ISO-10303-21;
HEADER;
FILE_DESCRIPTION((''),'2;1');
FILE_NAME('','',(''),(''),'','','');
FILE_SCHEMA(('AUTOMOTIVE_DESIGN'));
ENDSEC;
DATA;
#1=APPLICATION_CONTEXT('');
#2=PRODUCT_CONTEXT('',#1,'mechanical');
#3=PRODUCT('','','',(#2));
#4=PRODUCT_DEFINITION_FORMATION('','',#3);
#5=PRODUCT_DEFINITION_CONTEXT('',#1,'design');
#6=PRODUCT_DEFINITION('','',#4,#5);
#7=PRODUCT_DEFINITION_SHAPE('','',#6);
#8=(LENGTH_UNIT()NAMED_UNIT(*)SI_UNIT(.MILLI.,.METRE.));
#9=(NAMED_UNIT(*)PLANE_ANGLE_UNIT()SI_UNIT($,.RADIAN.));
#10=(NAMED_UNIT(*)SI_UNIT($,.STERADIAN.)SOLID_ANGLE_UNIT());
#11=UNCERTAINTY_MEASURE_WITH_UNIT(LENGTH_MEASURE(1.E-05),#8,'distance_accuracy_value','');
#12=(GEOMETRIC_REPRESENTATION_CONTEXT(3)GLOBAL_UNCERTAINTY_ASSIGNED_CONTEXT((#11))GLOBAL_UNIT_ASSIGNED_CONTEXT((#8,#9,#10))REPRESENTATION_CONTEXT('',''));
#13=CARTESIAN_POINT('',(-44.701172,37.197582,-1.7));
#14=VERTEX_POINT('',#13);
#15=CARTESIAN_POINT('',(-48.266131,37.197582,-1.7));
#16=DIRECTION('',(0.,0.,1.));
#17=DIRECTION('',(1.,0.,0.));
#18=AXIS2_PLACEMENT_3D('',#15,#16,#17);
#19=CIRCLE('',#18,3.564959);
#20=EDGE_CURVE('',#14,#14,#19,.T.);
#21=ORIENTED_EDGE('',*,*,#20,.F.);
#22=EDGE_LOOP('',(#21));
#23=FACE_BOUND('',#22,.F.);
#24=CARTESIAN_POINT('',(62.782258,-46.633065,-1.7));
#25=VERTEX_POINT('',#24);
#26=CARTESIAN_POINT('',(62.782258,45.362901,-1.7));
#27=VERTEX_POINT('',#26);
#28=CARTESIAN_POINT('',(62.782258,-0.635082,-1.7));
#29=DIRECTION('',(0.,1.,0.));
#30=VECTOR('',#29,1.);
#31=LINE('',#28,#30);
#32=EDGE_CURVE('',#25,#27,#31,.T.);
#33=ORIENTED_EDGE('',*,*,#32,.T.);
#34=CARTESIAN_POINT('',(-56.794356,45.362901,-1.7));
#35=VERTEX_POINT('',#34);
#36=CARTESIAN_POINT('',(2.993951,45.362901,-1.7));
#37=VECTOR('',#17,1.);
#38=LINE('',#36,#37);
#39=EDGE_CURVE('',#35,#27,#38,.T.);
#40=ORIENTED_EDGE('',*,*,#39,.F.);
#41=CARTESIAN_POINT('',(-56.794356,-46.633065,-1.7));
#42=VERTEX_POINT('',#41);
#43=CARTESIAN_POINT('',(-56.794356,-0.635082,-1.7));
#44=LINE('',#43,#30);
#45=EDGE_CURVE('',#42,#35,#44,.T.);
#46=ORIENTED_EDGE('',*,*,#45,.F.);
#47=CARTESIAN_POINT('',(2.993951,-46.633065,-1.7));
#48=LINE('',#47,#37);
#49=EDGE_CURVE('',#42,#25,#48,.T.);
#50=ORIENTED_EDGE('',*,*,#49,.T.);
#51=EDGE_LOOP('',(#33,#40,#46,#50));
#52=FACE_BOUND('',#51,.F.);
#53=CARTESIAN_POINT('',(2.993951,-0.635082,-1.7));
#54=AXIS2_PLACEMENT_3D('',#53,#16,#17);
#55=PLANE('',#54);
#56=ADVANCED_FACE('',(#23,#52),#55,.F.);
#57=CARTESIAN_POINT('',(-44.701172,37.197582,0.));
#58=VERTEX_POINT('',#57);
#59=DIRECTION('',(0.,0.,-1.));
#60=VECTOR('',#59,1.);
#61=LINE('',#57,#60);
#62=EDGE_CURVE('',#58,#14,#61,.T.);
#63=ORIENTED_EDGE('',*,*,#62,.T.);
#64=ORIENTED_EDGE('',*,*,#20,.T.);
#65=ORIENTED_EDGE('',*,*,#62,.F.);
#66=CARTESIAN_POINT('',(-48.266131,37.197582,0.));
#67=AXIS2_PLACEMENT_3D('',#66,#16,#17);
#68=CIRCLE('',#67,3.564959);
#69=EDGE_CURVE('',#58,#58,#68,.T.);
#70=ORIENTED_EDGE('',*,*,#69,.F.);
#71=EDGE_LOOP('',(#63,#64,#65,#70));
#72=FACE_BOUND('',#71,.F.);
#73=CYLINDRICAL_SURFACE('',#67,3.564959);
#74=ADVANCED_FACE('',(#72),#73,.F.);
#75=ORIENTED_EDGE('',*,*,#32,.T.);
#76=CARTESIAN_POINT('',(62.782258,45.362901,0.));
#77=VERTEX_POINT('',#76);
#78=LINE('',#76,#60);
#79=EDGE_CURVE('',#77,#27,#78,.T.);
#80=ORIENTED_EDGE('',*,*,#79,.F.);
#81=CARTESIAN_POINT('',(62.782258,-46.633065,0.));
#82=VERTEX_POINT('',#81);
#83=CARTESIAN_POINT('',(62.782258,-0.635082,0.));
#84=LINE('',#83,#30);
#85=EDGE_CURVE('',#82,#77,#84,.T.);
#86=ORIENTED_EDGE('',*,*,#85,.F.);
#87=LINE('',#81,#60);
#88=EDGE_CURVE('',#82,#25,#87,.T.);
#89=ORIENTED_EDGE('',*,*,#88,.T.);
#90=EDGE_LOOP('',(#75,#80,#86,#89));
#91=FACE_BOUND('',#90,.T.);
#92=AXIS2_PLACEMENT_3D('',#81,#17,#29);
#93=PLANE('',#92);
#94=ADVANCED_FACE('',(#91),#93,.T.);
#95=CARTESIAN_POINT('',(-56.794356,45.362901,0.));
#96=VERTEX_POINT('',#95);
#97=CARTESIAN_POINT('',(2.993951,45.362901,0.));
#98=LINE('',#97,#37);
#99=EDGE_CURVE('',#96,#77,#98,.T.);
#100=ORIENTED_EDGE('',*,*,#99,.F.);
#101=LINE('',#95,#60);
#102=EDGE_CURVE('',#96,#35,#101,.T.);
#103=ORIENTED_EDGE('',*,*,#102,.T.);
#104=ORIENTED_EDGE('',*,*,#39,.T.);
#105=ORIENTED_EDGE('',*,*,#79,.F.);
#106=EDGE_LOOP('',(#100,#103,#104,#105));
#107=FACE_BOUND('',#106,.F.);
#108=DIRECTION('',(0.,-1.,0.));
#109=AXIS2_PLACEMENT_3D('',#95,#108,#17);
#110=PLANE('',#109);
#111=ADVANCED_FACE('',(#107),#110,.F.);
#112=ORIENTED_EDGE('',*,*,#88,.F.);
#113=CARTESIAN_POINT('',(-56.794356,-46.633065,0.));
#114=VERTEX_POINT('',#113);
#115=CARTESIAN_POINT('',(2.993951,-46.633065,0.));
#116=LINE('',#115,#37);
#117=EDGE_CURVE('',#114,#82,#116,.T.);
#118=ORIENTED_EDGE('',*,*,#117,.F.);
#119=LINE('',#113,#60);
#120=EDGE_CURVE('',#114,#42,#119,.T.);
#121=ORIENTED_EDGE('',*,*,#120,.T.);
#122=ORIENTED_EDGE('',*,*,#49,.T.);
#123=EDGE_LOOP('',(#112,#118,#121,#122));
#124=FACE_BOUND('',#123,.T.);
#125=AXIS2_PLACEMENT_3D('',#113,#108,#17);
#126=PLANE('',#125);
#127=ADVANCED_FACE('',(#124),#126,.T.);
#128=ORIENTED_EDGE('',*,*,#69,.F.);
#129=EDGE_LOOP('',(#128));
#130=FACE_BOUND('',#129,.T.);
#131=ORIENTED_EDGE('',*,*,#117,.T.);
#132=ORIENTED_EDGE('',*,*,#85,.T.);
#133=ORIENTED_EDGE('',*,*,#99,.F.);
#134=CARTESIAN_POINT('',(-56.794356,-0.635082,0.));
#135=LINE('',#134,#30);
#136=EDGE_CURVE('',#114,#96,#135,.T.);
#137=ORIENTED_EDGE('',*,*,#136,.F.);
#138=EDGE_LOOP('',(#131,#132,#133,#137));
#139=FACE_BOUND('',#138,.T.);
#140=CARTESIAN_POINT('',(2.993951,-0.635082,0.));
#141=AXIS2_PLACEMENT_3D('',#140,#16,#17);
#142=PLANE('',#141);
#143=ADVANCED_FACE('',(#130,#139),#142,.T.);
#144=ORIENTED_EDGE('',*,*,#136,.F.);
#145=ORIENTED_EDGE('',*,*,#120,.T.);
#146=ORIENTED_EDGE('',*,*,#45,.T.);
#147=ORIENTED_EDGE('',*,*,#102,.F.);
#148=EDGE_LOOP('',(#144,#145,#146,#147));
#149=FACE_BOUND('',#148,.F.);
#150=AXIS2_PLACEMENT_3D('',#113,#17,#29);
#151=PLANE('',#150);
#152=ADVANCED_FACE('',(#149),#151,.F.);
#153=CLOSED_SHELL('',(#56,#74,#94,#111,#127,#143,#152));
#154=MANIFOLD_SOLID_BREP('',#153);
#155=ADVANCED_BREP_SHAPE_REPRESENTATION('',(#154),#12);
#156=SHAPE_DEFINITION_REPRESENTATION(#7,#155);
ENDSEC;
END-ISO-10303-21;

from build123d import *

# Parameters (mm, degrees)
F0_W     = 119.576615
F0_H     = 91.995966
F0_R     = 3.564959
F1_DEPTH = 1.7


with BuildPart() as f1:
    # F0 (on Top) → F1 (new body)
    with BuildSketch(Plane.XY):
        with Locations((2.993951, -0.635082)):
            Rectangle(F0_W, F0_H)
        with Locations((-48.266131, 37.197582)):
            Circle(F0_R, mode=Mode.SUBTRACT)
    extrude(amount=-F1_DEPTH)


solid = f1.part
